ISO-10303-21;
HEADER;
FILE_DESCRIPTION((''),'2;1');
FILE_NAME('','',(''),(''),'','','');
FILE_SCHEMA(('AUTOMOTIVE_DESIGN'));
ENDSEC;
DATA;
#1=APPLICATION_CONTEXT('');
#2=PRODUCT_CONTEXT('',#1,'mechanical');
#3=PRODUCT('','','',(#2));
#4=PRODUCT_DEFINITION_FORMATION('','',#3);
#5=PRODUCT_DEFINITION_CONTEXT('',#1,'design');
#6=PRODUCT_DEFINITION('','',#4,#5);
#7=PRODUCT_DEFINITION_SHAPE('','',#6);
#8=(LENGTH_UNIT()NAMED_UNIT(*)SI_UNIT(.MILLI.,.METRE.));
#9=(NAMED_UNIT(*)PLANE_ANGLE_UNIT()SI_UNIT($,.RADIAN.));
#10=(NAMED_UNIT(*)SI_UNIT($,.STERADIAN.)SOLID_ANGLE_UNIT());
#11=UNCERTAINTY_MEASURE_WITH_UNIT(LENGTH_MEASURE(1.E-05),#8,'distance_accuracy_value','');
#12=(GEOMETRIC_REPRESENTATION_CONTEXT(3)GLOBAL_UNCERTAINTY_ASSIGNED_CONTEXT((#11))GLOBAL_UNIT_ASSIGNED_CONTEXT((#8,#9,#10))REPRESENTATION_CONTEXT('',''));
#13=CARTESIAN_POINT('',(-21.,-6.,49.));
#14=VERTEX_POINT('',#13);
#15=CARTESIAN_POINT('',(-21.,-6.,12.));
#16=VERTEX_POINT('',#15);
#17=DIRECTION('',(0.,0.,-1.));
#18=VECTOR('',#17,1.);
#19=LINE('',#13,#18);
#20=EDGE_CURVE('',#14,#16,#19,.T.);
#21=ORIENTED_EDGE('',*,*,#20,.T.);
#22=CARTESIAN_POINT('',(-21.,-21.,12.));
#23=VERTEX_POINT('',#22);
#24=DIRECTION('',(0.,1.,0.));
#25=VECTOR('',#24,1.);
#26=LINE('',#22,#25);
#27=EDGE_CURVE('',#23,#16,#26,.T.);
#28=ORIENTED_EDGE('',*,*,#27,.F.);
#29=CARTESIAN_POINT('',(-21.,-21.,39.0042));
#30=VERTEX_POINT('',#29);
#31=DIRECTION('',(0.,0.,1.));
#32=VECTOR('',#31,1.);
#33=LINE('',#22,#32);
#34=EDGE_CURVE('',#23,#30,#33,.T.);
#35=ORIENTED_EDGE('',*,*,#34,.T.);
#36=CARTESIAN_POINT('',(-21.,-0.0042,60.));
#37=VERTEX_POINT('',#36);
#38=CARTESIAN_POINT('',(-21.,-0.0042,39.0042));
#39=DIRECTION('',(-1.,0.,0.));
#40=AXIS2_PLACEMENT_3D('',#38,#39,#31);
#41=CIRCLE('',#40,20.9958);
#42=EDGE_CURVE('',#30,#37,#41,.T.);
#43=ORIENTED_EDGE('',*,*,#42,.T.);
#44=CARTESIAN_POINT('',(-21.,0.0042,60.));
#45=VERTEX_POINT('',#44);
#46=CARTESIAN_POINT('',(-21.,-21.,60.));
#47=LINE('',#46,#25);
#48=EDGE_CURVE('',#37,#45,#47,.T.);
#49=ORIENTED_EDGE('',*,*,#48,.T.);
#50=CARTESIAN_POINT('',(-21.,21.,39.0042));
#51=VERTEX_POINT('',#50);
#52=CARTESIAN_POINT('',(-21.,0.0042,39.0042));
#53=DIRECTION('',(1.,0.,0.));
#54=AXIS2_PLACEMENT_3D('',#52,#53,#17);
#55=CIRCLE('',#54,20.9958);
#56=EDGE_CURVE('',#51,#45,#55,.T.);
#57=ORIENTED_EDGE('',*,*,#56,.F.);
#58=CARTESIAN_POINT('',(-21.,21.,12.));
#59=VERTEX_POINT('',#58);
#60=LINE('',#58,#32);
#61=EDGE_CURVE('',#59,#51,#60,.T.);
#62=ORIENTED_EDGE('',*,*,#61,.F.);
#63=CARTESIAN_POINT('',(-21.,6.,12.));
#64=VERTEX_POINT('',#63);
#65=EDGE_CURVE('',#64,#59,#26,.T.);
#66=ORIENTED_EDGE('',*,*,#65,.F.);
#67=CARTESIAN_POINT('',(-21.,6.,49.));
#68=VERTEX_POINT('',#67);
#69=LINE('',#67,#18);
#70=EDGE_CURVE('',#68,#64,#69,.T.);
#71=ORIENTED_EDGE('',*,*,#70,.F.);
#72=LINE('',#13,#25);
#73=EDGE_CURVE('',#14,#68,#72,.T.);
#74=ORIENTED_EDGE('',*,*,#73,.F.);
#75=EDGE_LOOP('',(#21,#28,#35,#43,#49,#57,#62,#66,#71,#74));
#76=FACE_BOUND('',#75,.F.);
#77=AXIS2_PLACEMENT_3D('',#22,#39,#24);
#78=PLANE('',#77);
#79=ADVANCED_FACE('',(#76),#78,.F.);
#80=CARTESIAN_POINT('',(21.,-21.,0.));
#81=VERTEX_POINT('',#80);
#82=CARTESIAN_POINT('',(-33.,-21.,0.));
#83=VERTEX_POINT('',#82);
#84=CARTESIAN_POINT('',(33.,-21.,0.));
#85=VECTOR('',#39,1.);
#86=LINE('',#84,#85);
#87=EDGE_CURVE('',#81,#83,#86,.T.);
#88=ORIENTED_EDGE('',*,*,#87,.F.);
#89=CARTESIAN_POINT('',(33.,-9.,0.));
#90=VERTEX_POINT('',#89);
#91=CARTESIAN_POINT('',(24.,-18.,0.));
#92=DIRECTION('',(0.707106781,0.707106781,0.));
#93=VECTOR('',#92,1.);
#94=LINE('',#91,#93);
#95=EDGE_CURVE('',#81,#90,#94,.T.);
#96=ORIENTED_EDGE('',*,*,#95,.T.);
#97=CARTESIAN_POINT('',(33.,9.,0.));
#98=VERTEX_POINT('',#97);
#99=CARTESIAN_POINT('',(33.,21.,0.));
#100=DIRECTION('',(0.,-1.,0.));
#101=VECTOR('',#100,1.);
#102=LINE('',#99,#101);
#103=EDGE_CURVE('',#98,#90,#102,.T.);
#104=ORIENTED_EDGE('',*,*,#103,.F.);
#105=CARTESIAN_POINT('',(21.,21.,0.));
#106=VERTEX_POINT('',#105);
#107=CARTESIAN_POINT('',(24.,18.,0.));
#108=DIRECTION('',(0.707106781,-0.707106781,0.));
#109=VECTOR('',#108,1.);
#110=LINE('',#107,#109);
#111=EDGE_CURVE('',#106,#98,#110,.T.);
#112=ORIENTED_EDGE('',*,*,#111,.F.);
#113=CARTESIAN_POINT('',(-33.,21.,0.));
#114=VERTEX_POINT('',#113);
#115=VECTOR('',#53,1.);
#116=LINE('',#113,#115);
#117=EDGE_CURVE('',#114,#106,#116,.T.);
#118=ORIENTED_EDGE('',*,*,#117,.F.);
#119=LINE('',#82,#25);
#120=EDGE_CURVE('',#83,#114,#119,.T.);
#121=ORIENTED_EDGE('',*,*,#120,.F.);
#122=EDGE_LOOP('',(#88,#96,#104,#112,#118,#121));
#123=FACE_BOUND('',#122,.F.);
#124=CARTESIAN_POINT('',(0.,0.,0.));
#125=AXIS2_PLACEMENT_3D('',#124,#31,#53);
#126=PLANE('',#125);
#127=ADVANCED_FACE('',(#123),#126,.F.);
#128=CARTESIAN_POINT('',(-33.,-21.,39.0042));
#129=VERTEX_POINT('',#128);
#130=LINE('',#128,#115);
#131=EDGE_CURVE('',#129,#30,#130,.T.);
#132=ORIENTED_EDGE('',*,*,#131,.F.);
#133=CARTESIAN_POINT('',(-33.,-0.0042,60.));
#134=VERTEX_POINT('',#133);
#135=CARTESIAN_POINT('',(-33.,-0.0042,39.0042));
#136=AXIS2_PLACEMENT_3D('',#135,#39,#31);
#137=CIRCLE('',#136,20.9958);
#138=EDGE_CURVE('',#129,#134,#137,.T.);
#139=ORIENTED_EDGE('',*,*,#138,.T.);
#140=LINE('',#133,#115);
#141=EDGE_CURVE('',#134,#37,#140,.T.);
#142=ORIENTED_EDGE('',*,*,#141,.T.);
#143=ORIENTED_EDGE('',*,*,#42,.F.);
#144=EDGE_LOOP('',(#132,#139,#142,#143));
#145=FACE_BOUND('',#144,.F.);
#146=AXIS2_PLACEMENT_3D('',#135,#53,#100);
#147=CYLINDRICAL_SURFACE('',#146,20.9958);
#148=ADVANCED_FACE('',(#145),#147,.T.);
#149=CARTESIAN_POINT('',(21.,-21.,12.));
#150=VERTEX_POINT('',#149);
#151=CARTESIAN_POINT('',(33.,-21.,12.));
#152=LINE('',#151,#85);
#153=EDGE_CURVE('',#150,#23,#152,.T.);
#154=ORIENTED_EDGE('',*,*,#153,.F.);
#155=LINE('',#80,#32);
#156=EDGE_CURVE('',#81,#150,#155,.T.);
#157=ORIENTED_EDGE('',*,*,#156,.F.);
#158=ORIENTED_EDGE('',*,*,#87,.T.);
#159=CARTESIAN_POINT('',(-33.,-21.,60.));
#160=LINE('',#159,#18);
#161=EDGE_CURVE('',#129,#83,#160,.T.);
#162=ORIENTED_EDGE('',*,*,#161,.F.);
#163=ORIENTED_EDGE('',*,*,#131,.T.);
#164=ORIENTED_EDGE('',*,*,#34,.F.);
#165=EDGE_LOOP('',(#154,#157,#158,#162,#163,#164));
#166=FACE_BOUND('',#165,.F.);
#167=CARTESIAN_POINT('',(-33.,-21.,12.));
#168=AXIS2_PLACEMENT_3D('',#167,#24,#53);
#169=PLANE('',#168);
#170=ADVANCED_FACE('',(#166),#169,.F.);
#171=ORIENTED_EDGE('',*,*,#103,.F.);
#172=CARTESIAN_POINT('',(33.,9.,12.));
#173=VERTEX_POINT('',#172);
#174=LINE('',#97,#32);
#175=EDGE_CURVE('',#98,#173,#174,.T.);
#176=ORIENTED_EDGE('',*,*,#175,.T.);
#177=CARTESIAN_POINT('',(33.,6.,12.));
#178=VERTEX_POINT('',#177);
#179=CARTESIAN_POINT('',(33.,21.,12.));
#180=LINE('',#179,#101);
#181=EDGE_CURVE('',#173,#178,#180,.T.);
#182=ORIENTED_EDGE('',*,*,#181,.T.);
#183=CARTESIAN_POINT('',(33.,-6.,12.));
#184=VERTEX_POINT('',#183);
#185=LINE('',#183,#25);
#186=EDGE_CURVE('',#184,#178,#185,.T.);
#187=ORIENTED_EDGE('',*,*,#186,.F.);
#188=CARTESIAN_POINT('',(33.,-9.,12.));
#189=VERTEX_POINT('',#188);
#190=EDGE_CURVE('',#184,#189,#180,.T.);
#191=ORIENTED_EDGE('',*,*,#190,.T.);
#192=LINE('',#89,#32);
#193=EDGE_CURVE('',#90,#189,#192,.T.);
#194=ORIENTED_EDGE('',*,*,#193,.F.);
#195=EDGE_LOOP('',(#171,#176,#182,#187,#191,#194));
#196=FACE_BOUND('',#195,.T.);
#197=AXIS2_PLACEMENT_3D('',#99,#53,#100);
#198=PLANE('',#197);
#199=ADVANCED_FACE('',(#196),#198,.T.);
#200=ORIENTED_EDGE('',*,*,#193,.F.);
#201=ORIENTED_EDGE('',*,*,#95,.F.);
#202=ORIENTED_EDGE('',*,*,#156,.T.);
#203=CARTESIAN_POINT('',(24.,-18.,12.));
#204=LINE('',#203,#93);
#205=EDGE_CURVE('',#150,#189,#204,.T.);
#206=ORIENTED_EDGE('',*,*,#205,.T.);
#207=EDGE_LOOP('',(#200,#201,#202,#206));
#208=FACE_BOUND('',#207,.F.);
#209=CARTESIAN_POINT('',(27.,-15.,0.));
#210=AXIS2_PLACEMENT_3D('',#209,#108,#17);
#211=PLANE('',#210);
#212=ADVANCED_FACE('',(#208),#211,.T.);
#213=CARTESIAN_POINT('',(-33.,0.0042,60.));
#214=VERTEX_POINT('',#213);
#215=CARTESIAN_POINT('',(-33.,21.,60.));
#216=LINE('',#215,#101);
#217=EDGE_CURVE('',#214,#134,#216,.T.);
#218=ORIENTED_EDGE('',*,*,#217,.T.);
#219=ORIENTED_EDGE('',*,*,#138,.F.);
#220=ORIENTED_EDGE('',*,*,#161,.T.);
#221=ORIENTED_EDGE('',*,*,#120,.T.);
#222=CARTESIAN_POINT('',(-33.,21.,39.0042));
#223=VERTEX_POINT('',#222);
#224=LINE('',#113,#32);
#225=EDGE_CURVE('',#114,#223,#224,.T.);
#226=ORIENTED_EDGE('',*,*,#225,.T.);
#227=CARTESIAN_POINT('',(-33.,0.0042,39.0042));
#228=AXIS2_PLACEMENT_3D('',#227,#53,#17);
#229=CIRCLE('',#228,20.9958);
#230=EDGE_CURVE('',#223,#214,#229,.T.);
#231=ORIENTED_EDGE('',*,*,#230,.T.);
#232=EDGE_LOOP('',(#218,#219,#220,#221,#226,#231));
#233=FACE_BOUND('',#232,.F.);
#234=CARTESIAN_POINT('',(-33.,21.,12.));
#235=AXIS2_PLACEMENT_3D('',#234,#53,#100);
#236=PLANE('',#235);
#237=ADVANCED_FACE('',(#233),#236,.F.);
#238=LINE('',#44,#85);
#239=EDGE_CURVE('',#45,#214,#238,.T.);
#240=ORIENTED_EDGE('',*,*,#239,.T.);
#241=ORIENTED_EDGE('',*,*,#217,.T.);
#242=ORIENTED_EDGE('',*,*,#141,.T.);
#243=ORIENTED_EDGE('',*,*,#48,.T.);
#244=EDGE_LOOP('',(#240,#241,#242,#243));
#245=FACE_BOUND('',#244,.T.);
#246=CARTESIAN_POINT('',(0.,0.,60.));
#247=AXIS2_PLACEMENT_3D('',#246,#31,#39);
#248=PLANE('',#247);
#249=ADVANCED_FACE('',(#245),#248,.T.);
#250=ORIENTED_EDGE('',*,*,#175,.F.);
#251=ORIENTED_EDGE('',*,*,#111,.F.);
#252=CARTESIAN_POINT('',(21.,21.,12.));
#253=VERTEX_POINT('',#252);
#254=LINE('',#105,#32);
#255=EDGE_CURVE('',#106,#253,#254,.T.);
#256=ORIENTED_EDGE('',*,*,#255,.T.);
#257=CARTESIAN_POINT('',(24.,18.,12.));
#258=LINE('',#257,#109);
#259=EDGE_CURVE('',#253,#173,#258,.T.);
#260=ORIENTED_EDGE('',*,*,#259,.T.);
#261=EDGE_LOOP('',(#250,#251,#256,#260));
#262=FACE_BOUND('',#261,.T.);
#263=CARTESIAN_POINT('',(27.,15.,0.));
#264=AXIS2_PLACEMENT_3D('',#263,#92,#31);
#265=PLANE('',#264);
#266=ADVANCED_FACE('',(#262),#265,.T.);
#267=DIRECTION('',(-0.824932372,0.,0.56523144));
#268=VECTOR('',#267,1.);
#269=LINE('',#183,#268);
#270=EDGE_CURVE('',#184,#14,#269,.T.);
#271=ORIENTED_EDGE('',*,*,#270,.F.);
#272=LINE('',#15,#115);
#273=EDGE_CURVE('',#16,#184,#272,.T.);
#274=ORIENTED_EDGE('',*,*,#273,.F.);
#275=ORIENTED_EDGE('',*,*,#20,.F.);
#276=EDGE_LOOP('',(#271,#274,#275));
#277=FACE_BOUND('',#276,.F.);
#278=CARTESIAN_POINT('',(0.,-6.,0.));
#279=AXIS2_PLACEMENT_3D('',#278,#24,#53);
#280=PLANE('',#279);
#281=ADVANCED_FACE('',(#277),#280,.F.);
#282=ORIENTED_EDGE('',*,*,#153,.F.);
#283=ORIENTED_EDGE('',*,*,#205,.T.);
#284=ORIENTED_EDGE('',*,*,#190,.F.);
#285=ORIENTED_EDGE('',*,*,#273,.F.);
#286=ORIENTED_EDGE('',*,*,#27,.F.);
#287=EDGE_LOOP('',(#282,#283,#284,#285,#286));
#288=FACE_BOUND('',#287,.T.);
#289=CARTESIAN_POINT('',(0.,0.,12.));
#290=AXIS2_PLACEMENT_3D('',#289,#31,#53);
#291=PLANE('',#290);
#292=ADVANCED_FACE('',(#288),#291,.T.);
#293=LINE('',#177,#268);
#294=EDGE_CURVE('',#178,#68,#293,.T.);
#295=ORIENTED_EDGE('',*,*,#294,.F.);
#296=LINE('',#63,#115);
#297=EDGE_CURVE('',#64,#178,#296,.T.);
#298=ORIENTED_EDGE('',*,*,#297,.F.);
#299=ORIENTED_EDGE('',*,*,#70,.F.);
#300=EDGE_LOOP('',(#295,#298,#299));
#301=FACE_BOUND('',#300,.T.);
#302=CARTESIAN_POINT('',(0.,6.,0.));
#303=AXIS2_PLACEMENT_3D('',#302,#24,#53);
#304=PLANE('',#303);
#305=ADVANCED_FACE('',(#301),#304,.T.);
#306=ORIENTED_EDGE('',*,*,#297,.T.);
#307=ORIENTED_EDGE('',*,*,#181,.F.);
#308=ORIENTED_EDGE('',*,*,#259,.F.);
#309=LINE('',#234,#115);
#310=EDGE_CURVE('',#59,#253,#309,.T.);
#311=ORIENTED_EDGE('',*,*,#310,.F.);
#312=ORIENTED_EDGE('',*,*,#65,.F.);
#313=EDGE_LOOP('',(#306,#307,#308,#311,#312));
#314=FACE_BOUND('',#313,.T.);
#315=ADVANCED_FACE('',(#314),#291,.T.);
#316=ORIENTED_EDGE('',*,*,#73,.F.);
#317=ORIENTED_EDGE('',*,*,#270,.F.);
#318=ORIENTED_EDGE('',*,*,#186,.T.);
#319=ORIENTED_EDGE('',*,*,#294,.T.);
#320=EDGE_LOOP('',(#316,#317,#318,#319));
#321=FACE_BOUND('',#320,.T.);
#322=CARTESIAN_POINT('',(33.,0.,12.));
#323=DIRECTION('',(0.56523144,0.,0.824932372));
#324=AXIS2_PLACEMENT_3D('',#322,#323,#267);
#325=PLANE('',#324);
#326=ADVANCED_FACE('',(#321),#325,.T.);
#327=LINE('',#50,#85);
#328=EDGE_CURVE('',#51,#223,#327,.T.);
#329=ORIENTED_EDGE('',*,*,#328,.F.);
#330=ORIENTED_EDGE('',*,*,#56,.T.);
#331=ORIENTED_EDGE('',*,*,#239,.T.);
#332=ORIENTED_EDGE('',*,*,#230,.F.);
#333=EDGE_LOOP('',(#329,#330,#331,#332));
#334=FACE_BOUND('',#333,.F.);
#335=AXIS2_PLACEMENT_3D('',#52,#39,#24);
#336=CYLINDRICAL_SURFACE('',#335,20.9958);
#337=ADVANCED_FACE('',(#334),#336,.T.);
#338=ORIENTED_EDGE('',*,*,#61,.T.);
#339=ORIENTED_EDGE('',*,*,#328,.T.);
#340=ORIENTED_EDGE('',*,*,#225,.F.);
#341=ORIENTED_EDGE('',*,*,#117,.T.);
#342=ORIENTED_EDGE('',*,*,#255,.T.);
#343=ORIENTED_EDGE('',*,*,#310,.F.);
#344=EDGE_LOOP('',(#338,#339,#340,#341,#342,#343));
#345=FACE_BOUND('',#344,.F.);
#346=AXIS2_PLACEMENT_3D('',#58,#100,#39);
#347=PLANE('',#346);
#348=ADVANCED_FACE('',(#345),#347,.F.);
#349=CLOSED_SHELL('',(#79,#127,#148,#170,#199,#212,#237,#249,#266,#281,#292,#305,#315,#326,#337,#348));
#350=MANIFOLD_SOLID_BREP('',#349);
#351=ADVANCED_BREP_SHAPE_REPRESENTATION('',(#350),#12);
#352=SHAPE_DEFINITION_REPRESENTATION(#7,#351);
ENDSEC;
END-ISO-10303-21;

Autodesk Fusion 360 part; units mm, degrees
sketch "Sketch1" plane through (0, 0, 0) normal (0, 0, 1) x (1, 0, 0)
  line L0 (33, -21) -> (-33, -21)
  line L1 (-33, -21) -> (-33, 21)
  line L2 (-33, 21) -> (33, 21)
  line L3 (33, 21) -> (33, -21)
  line L4 (33, -21) -> (-33, 21) construction
  line L5 (-33, -21) -> (33, 21) construction
  dimension "d1" = 66
  dimension "d2" = 42
extrude "Extrude1" add sketch "Sketch1" along normal blind 12
chamfer "Chamfer1" distance 12 angle 45 2 edges at (33, -21, 6) (33, 21, 6)
sketch "Sketch2" plane through (0, 0, 12) normal (0, 0, 1) x (-1, 0, 0)
  line L0 (-33, -9) -> (-21, -21)
  line L1 (-21, -21) -> (33, -21)
  line L2 (33, -21) -> (33, 21)
  line L3 (33, 21) -> (-21, 21)
  line L4 (-21, 21) -> (-33, 9)
  line L5 (-33, 9) -> (-33, -9)
  line L6 (33, 21) -> (21, 21)
  line L7 (21, 21) -> (21, -21)
  line L8 (21, -21) -> (33, -21)
  line L9 (33, -21) -> (33, 21)
  dimension "d6" = 12
extrude "Extrude2" add sketch "Sketch2" along normal blind 48 contours L1 L2 L3 L6 L7 L8 L9
fillet "Fillet1" radius 21 2 edges at (-27, -21, 60) (-27, 21, 60)
sketch "Sketch6" plane through (0, 0, 0) normal (0, 1, 0) x (1, 0, 0)
  line L0 (-21, -49) -> (-21, -12)
  line L1 (-21, -12) -> (33, -12)
  line L2 (33, -12) -> (-21, -49)
  dimension "d11" = 37
extrude "Extrude3" add sketch "Sketch6" along normal mid plane 12
equation "d7 = 60 mm - 12 mm"
